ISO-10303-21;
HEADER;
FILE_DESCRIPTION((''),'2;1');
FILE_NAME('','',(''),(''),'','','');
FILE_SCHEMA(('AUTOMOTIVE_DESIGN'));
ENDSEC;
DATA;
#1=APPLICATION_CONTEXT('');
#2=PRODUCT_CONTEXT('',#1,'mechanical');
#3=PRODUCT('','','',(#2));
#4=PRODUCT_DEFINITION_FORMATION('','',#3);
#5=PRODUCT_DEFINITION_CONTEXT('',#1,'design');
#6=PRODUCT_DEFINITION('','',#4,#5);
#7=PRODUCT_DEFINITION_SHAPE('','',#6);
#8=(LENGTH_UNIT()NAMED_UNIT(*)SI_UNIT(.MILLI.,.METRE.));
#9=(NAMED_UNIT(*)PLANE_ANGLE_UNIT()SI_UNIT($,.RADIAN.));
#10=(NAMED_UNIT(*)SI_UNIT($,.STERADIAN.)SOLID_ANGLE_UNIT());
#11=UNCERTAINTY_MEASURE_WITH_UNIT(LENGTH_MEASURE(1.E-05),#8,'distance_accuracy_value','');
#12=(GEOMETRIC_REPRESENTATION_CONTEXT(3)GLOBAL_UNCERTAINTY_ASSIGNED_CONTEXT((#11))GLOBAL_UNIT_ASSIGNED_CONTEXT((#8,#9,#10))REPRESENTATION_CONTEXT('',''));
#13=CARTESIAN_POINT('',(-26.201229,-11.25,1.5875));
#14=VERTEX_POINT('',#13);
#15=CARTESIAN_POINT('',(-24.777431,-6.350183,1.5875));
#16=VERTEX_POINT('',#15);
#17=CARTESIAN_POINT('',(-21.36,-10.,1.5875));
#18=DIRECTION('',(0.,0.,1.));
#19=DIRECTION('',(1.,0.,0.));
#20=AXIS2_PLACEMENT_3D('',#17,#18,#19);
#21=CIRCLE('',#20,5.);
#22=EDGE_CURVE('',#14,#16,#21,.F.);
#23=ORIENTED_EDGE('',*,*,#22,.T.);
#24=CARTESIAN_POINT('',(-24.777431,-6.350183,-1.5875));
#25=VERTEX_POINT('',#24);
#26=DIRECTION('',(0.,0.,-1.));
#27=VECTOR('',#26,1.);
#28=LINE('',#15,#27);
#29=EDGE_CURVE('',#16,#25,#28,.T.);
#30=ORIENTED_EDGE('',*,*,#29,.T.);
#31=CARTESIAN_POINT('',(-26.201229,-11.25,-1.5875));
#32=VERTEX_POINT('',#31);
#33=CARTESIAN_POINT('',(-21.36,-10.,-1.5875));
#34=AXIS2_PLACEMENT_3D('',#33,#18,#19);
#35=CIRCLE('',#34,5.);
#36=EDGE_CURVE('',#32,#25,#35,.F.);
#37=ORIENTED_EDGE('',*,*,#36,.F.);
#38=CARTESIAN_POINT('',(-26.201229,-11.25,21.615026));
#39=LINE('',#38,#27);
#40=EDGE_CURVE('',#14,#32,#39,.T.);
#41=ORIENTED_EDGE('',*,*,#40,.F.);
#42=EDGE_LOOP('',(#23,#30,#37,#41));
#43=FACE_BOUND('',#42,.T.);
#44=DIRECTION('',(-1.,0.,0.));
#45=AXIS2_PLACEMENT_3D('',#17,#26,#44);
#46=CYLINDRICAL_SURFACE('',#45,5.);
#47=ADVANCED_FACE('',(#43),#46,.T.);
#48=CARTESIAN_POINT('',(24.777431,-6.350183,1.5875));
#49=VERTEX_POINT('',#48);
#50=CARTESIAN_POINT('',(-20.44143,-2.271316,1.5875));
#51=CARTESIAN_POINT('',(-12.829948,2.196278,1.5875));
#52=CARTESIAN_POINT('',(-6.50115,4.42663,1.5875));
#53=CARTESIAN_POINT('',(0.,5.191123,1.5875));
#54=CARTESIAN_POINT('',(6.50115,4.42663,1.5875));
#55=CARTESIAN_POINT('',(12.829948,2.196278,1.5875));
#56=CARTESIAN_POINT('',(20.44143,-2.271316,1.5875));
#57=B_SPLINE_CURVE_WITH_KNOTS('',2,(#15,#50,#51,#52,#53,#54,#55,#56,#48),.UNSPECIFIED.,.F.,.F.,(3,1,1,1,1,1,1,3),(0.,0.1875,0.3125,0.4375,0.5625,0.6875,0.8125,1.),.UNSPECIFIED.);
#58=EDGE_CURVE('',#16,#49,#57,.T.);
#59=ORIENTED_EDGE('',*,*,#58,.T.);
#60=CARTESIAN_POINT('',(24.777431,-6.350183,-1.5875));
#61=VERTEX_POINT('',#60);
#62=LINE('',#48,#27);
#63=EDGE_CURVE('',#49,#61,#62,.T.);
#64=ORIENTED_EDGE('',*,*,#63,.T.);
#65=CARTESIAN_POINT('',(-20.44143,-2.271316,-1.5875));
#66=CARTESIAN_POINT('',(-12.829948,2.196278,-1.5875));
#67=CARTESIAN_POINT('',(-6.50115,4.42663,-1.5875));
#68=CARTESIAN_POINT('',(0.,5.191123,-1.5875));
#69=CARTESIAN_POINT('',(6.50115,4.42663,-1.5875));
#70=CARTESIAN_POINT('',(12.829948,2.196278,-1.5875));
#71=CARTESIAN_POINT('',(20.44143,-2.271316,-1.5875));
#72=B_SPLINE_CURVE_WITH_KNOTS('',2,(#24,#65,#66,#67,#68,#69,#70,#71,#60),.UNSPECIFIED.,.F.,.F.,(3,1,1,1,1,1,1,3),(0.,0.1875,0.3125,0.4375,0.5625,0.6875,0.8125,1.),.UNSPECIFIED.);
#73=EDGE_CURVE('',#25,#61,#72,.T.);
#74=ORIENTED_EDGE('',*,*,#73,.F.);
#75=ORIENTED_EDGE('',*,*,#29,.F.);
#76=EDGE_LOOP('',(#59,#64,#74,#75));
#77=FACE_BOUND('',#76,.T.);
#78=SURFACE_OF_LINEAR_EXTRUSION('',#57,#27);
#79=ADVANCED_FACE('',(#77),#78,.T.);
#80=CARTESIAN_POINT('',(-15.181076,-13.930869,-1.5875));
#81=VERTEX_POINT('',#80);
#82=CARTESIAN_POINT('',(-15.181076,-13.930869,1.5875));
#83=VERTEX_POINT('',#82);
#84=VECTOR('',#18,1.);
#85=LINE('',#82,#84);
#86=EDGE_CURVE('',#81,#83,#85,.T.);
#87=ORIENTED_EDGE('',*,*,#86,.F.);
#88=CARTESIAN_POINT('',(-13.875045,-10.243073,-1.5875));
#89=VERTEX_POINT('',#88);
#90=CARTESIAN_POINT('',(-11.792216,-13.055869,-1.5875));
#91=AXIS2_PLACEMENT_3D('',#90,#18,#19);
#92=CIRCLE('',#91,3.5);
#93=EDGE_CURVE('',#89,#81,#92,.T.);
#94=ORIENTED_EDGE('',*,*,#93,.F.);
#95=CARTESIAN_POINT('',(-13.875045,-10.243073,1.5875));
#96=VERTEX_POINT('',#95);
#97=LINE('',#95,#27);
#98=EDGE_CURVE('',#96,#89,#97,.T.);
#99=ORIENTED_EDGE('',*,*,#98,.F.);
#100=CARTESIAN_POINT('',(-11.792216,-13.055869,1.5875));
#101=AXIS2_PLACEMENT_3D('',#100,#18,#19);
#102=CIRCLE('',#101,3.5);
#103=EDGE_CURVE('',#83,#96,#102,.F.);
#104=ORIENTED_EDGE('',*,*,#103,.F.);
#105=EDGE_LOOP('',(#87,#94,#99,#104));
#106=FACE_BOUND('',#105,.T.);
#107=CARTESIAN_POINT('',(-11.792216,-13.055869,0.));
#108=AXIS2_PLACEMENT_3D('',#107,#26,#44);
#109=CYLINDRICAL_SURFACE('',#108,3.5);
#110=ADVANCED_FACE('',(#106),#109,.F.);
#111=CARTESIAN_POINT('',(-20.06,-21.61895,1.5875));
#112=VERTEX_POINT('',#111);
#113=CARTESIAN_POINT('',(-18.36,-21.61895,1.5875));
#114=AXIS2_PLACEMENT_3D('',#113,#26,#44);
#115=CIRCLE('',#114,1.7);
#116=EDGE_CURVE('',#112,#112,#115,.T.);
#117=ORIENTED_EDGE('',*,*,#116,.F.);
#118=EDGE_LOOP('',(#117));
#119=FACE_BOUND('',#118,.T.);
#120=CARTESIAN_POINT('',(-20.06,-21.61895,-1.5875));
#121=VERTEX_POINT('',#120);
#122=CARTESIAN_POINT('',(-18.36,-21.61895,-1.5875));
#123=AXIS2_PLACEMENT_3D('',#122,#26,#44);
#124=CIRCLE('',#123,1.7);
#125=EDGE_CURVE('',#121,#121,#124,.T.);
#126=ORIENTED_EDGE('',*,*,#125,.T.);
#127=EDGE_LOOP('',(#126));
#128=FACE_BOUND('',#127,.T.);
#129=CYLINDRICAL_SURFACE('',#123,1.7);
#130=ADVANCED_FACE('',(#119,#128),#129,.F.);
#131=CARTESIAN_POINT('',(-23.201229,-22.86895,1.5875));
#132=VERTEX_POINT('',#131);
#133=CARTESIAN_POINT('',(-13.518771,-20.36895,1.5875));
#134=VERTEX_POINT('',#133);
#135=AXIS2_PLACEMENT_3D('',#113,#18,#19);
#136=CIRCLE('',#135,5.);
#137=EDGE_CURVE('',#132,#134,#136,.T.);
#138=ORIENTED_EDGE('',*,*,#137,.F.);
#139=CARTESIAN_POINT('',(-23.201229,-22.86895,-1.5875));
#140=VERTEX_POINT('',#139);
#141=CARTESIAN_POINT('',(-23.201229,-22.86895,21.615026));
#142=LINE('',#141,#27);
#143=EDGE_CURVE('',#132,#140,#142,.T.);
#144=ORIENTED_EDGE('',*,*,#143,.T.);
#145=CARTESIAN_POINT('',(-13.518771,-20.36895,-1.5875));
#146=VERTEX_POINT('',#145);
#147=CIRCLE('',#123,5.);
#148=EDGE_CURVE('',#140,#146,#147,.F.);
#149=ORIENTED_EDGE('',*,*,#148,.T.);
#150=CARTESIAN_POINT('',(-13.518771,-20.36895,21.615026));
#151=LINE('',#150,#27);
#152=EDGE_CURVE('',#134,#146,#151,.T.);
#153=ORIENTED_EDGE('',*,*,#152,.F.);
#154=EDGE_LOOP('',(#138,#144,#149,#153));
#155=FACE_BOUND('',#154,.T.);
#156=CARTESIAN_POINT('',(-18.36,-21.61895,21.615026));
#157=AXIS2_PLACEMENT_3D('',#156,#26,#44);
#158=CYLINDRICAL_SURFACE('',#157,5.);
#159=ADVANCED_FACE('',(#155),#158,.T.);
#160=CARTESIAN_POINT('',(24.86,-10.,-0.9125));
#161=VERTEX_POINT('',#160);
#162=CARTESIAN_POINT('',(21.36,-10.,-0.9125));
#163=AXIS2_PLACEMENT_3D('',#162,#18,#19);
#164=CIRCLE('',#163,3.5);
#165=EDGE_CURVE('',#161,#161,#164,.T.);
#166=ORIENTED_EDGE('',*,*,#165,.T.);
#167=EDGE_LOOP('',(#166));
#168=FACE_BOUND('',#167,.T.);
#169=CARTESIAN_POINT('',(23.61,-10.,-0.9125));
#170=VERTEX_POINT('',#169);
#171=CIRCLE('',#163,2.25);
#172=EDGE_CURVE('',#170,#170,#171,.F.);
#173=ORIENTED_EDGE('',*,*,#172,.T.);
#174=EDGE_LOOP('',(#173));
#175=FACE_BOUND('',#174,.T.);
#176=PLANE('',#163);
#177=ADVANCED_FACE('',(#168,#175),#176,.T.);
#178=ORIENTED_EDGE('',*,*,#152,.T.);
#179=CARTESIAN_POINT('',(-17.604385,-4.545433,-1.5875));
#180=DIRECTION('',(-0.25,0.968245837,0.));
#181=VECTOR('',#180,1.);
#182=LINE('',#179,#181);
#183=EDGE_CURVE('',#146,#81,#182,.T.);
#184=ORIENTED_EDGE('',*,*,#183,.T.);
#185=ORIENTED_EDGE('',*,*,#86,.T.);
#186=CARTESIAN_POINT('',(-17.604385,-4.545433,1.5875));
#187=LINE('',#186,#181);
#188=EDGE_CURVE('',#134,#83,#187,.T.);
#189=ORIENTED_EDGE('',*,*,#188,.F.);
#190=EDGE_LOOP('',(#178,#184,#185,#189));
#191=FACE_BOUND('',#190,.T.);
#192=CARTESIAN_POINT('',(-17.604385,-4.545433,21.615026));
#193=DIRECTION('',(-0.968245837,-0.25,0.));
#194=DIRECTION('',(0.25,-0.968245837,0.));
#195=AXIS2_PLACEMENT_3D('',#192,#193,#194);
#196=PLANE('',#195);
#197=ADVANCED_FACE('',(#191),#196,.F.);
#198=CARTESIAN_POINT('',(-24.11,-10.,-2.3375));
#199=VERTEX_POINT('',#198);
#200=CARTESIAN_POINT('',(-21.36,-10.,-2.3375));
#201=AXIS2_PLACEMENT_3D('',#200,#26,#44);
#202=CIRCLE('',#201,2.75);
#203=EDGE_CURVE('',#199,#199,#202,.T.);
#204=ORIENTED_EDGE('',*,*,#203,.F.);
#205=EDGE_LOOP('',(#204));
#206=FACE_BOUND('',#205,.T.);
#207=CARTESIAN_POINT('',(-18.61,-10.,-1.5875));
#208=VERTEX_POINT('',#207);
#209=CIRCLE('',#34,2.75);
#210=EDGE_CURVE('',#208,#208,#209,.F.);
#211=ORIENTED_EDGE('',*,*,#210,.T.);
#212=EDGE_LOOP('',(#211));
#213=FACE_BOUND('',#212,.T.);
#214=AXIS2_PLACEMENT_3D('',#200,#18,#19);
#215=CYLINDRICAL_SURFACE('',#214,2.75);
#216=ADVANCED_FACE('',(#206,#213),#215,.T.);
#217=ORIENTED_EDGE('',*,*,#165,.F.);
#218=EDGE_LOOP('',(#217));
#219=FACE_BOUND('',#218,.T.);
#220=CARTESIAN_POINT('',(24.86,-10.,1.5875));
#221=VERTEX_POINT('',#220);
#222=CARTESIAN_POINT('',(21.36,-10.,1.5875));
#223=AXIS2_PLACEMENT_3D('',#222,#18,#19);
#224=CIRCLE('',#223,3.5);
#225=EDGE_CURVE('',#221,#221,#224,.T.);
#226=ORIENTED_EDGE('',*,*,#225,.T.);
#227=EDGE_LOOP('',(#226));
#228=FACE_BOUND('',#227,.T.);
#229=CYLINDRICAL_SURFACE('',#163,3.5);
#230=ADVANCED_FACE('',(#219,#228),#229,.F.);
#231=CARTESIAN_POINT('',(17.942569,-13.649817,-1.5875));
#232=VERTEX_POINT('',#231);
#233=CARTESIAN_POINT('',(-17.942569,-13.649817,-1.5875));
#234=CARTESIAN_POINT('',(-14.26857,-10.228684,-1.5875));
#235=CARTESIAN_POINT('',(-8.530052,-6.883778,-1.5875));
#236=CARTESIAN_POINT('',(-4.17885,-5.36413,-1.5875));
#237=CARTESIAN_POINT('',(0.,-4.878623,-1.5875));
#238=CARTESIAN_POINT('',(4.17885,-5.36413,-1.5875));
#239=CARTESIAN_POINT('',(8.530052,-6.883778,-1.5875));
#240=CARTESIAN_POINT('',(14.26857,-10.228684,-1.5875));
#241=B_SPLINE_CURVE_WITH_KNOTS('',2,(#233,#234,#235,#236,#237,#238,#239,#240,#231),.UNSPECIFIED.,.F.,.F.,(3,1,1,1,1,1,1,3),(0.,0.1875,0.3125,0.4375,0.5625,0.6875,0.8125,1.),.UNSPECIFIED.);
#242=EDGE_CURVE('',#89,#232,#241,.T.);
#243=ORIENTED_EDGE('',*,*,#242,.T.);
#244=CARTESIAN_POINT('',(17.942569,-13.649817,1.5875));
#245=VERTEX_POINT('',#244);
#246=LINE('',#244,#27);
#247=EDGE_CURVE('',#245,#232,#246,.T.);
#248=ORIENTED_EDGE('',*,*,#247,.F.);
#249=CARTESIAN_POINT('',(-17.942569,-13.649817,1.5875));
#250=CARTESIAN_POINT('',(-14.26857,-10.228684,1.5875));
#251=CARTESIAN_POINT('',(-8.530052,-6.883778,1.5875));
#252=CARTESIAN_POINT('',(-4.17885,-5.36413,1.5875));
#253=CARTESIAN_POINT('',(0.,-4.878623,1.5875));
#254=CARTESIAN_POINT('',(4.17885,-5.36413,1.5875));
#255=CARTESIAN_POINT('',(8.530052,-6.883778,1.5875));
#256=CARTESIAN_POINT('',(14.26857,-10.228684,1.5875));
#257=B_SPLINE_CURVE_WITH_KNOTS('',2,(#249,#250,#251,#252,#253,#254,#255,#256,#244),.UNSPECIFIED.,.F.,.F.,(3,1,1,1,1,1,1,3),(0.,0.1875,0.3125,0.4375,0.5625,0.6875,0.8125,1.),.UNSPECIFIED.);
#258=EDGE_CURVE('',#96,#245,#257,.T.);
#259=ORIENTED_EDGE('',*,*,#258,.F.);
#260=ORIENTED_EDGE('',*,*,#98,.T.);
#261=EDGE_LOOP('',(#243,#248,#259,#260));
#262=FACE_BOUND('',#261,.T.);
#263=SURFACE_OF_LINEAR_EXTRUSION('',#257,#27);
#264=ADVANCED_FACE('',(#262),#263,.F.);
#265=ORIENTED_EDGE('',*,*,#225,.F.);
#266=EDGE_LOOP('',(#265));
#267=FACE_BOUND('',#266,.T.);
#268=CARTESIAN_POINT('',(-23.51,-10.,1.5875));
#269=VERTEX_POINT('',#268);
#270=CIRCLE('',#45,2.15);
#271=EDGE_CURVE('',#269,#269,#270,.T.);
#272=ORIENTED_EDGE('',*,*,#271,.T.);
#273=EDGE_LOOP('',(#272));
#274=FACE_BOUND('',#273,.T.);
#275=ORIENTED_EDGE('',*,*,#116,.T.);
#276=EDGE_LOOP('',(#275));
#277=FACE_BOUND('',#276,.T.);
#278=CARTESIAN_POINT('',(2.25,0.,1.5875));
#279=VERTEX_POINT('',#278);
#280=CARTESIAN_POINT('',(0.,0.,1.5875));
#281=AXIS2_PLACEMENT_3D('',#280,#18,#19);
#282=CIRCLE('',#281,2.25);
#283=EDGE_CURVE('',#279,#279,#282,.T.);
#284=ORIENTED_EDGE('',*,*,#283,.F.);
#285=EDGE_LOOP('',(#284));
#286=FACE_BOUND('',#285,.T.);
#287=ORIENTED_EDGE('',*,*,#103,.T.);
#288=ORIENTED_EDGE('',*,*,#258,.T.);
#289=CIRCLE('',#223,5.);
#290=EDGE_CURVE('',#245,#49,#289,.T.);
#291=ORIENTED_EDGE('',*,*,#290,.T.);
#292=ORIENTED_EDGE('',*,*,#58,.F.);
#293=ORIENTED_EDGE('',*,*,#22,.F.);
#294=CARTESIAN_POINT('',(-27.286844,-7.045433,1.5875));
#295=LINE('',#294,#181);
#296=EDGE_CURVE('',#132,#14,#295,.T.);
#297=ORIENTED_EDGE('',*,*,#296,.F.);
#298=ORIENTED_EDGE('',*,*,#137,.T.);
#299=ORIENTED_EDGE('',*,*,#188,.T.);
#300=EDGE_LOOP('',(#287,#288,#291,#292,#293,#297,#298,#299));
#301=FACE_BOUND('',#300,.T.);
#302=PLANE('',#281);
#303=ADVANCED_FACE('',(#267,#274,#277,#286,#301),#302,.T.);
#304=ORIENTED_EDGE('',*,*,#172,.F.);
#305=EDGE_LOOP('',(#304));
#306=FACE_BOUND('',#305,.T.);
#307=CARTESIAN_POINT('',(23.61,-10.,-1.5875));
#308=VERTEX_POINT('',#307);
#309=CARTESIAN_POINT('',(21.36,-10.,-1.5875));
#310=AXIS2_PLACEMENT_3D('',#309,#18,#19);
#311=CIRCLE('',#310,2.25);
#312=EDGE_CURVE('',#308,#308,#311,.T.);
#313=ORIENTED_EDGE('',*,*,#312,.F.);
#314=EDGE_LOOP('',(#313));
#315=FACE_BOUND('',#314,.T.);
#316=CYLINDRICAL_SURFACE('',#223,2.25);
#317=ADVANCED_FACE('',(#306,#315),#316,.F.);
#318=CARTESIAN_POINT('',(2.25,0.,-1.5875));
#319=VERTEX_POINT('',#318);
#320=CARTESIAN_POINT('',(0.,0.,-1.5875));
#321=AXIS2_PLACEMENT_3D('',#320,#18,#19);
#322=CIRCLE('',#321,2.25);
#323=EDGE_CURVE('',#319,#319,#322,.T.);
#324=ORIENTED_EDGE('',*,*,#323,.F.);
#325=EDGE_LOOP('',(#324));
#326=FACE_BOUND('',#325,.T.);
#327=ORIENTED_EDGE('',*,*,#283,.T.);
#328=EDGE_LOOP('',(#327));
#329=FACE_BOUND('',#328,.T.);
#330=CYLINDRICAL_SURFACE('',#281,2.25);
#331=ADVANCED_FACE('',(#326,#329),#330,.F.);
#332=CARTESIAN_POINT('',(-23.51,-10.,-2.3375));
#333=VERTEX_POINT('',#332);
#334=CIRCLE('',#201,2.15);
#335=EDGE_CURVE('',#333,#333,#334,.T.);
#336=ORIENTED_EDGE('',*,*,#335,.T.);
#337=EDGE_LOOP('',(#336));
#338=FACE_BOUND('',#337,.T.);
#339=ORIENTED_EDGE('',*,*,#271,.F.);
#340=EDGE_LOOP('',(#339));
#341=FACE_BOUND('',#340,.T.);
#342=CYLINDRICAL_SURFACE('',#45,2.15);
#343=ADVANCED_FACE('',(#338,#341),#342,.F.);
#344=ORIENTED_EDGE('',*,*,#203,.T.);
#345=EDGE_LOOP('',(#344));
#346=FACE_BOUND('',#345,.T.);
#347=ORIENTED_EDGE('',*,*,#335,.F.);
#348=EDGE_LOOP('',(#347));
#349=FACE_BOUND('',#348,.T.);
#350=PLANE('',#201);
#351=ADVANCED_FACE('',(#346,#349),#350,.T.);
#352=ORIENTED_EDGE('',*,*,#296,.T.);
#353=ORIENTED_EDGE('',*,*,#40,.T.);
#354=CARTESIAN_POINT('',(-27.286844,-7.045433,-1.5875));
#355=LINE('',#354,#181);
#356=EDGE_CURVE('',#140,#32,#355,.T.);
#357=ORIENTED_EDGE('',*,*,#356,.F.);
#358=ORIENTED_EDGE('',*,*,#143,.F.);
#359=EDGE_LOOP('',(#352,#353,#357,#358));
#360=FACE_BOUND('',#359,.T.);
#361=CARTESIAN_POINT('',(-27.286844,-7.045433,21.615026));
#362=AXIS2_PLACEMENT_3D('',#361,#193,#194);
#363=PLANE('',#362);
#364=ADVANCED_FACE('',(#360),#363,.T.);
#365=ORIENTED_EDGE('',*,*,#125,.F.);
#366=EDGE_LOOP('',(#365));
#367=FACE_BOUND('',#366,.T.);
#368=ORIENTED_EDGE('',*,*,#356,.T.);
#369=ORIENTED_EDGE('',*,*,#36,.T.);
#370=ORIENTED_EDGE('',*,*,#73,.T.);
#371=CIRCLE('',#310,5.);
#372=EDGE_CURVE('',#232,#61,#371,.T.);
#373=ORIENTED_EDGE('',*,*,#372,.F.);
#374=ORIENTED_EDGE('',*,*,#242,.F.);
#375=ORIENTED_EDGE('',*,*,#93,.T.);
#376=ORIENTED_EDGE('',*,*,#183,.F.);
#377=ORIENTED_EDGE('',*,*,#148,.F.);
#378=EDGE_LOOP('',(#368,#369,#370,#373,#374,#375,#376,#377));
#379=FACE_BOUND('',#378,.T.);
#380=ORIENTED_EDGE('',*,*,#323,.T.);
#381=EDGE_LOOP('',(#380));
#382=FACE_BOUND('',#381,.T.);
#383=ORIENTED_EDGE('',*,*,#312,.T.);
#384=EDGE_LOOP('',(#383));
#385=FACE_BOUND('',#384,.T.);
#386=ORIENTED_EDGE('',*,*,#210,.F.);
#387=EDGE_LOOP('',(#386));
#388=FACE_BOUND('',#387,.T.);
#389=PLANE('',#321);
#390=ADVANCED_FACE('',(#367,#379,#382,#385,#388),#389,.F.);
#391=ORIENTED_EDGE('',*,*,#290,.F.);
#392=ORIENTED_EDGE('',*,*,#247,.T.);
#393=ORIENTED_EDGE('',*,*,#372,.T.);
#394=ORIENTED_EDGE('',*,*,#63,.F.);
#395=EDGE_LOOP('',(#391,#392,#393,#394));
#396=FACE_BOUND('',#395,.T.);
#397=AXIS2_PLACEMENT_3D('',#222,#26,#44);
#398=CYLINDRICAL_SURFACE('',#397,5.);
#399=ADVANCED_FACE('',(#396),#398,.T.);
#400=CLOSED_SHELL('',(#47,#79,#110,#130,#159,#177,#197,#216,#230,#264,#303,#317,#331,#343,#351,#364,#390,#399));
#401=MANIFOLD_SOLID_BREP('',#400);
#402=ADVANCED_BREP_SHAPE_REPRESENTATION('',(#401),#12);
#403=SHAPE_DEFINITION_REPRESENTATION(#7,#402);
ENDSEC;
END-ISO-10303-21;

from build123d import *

# Parameters (mm, degrees)
BOSS_EXTRUDE1_DEPTH  = 1.5875
M4_CLEARANCE_HOLE1_D = 4.5
BOSS_EXTRUDE2_DEPTH  = 3.175
FILLET1_R            = 3.5
M3_CLEARANCE_HOLE1_D = 3.4
SKETCH8_R            = 2.15
CUT_EXTRUDE1_DEPTH   = 4.1750001
SKETCH9_R            = 2.75
SKETCH9_R_2          = 2.15
BOSS_EXTRUDE3_DEPTH  = 0.75
SKETCH10_R           = 3.5
CUT_EXTRUDE2_DEPTH   = 2.5


with BuildPart() as part:
    # Sketch2 → Boss-Extrude1 (new body, symmetric)
    with BuildSketch(Plane.XY):
        with BuildLine():
            ThreePointArc((-17.942568571, -13.649816766), (-25.009816766, -13.417431429), (-24.777431429, -6.350183234))
            add(Edge.make_bspline(
                [(-24.777431429, -6.350183234), (-20.441430485, -2.271315687), (-12.829947979, 2.196277878), (-6.501150321, 4.42663028), (0, 5.19112324), (6.501150321, 4.42663028), (12.829947979, 2.196277878), (20.441430485, -2.271315687), (24.777431429, -6.350183234)],
                knots=[0, 0, 0, 0.1875, 0.3125, 0.4375, 0.5625, 0.6875, 0.8125, 1, 1, 1], degree=2))
            ThreePointArc((24.777431429, -6.350183234), (25.009816766, -13.417431429), (17.942568571, -13.649816766))
            add(Edge.make_bspline(
                [(-17.942568571, -13.649816766), (-14.268569515, -10.228684313), (-8.530052021, -6.883777878), (-4.178849679, -5.36413028), (0, -4.87862324), (4.178849679, -5.36413028), (8.530052021, -6.883777878), (14.268569515, -10.228684313), (17.942568571, -13.649816766)],
                knots=[0, 0, 0, 0.1875, 0.3125, 0.4375, 0.5625, 0.6875, 0.8125, 1, 1, 1], degree=2))
        make_face()
    extrude(amount=BOSS_EXTRUDE1_DEPTH, both=True)

    # M4 Clearance Hole1 (through all)
    with Locations(Plane.XY.offset(1.5875)):
        with Locations((21.36, -10), (0, 0)):
            Hole(M4_CLEARANCE_HOLE1_D / 2)

    # Sketch5 → Boss-Extrude2 (add)
    with BuildSketch(Plane(origin=(0, 0, -1.5875), x_dir=(-1, 0, 0), z_dir=(0, 0, -1))):
        with BuildLine():
            ThreePointArc((13.518770817, -20.368950039), (17.11, -26.460179221), (23.201229183, -22.868950039))
            Line((23.201229183, -22.868950039), (26.201229183, -11.25))
            ThreePointArc((26.201229183, -11.25), (22.61, -5.158770817), (16.518770817, -8.75))
            Line((16.518770817, -8.75), (13.518770817, -20.368950039))
        make_face()
    extrude(amount=-BOSS_EXTRUDE2_DEPTH)

    # Fillet1
    fillet1_edges = [part.edges().sort_by_distance(p)[0] for p in [
        (-15.752223744, -11.718824048, 0.7937488),
    ]]
    fillet(fillet1_edges, radius=FILLET1_R)

    # M3 Clearance Hole1 (through all)
    with Locations(Plane(origin=(0, 0, -1.5875), x_dir=(-1, 0, 0), z_dir=(0, 0, -1))):
        with Locations((18.36, -21.618950039)):
            Hole(M3_CLEARANCE_HOLE1_D / 2)

    # Sketch8 → Cut-Extrude1 (cut, through all)
    with BuildSketch(Plane(origin=(0, 0, -1.5875), x_dir=(-1, 0, 0), z_dir=(0, 0, -1))):
        with Locations((21.36, -10)):
            Circle(SKETCH8_R)
    extrude(amount=-CUT_EXTRUDE1_DEPTH, mode=Mode.SUBTRACT)

    # Sketch9 → Boss-Extrude3 (add)
    with BuildSketch(Plane(origin=(0, 0, -1.5875), x_dir=(-1, 0, 0), z_dir=(0, 0, -1))):
        with Locations((21.36, -10)):
            Circle(SKETCH9_R)
        with Locations((21.36, -10)):
            Circle(SKETCH9_R_2, mode=Mode.SUBTRACT)
    extrude(amount=BOSS_EXTRUDE3_DEPTH)

    # Sketch10 → Cut-Extrude2 (cut)
    with BuildSketch(Plane.XY.offset(1.5875)):
        with Locations((21.36, -10)):
            Circle(SKETCH10_R)
    extrude(amount=-CUT_EXTRUDE2_DEPTH, mode=Mode.SUBTRACT)


solid = part.part
